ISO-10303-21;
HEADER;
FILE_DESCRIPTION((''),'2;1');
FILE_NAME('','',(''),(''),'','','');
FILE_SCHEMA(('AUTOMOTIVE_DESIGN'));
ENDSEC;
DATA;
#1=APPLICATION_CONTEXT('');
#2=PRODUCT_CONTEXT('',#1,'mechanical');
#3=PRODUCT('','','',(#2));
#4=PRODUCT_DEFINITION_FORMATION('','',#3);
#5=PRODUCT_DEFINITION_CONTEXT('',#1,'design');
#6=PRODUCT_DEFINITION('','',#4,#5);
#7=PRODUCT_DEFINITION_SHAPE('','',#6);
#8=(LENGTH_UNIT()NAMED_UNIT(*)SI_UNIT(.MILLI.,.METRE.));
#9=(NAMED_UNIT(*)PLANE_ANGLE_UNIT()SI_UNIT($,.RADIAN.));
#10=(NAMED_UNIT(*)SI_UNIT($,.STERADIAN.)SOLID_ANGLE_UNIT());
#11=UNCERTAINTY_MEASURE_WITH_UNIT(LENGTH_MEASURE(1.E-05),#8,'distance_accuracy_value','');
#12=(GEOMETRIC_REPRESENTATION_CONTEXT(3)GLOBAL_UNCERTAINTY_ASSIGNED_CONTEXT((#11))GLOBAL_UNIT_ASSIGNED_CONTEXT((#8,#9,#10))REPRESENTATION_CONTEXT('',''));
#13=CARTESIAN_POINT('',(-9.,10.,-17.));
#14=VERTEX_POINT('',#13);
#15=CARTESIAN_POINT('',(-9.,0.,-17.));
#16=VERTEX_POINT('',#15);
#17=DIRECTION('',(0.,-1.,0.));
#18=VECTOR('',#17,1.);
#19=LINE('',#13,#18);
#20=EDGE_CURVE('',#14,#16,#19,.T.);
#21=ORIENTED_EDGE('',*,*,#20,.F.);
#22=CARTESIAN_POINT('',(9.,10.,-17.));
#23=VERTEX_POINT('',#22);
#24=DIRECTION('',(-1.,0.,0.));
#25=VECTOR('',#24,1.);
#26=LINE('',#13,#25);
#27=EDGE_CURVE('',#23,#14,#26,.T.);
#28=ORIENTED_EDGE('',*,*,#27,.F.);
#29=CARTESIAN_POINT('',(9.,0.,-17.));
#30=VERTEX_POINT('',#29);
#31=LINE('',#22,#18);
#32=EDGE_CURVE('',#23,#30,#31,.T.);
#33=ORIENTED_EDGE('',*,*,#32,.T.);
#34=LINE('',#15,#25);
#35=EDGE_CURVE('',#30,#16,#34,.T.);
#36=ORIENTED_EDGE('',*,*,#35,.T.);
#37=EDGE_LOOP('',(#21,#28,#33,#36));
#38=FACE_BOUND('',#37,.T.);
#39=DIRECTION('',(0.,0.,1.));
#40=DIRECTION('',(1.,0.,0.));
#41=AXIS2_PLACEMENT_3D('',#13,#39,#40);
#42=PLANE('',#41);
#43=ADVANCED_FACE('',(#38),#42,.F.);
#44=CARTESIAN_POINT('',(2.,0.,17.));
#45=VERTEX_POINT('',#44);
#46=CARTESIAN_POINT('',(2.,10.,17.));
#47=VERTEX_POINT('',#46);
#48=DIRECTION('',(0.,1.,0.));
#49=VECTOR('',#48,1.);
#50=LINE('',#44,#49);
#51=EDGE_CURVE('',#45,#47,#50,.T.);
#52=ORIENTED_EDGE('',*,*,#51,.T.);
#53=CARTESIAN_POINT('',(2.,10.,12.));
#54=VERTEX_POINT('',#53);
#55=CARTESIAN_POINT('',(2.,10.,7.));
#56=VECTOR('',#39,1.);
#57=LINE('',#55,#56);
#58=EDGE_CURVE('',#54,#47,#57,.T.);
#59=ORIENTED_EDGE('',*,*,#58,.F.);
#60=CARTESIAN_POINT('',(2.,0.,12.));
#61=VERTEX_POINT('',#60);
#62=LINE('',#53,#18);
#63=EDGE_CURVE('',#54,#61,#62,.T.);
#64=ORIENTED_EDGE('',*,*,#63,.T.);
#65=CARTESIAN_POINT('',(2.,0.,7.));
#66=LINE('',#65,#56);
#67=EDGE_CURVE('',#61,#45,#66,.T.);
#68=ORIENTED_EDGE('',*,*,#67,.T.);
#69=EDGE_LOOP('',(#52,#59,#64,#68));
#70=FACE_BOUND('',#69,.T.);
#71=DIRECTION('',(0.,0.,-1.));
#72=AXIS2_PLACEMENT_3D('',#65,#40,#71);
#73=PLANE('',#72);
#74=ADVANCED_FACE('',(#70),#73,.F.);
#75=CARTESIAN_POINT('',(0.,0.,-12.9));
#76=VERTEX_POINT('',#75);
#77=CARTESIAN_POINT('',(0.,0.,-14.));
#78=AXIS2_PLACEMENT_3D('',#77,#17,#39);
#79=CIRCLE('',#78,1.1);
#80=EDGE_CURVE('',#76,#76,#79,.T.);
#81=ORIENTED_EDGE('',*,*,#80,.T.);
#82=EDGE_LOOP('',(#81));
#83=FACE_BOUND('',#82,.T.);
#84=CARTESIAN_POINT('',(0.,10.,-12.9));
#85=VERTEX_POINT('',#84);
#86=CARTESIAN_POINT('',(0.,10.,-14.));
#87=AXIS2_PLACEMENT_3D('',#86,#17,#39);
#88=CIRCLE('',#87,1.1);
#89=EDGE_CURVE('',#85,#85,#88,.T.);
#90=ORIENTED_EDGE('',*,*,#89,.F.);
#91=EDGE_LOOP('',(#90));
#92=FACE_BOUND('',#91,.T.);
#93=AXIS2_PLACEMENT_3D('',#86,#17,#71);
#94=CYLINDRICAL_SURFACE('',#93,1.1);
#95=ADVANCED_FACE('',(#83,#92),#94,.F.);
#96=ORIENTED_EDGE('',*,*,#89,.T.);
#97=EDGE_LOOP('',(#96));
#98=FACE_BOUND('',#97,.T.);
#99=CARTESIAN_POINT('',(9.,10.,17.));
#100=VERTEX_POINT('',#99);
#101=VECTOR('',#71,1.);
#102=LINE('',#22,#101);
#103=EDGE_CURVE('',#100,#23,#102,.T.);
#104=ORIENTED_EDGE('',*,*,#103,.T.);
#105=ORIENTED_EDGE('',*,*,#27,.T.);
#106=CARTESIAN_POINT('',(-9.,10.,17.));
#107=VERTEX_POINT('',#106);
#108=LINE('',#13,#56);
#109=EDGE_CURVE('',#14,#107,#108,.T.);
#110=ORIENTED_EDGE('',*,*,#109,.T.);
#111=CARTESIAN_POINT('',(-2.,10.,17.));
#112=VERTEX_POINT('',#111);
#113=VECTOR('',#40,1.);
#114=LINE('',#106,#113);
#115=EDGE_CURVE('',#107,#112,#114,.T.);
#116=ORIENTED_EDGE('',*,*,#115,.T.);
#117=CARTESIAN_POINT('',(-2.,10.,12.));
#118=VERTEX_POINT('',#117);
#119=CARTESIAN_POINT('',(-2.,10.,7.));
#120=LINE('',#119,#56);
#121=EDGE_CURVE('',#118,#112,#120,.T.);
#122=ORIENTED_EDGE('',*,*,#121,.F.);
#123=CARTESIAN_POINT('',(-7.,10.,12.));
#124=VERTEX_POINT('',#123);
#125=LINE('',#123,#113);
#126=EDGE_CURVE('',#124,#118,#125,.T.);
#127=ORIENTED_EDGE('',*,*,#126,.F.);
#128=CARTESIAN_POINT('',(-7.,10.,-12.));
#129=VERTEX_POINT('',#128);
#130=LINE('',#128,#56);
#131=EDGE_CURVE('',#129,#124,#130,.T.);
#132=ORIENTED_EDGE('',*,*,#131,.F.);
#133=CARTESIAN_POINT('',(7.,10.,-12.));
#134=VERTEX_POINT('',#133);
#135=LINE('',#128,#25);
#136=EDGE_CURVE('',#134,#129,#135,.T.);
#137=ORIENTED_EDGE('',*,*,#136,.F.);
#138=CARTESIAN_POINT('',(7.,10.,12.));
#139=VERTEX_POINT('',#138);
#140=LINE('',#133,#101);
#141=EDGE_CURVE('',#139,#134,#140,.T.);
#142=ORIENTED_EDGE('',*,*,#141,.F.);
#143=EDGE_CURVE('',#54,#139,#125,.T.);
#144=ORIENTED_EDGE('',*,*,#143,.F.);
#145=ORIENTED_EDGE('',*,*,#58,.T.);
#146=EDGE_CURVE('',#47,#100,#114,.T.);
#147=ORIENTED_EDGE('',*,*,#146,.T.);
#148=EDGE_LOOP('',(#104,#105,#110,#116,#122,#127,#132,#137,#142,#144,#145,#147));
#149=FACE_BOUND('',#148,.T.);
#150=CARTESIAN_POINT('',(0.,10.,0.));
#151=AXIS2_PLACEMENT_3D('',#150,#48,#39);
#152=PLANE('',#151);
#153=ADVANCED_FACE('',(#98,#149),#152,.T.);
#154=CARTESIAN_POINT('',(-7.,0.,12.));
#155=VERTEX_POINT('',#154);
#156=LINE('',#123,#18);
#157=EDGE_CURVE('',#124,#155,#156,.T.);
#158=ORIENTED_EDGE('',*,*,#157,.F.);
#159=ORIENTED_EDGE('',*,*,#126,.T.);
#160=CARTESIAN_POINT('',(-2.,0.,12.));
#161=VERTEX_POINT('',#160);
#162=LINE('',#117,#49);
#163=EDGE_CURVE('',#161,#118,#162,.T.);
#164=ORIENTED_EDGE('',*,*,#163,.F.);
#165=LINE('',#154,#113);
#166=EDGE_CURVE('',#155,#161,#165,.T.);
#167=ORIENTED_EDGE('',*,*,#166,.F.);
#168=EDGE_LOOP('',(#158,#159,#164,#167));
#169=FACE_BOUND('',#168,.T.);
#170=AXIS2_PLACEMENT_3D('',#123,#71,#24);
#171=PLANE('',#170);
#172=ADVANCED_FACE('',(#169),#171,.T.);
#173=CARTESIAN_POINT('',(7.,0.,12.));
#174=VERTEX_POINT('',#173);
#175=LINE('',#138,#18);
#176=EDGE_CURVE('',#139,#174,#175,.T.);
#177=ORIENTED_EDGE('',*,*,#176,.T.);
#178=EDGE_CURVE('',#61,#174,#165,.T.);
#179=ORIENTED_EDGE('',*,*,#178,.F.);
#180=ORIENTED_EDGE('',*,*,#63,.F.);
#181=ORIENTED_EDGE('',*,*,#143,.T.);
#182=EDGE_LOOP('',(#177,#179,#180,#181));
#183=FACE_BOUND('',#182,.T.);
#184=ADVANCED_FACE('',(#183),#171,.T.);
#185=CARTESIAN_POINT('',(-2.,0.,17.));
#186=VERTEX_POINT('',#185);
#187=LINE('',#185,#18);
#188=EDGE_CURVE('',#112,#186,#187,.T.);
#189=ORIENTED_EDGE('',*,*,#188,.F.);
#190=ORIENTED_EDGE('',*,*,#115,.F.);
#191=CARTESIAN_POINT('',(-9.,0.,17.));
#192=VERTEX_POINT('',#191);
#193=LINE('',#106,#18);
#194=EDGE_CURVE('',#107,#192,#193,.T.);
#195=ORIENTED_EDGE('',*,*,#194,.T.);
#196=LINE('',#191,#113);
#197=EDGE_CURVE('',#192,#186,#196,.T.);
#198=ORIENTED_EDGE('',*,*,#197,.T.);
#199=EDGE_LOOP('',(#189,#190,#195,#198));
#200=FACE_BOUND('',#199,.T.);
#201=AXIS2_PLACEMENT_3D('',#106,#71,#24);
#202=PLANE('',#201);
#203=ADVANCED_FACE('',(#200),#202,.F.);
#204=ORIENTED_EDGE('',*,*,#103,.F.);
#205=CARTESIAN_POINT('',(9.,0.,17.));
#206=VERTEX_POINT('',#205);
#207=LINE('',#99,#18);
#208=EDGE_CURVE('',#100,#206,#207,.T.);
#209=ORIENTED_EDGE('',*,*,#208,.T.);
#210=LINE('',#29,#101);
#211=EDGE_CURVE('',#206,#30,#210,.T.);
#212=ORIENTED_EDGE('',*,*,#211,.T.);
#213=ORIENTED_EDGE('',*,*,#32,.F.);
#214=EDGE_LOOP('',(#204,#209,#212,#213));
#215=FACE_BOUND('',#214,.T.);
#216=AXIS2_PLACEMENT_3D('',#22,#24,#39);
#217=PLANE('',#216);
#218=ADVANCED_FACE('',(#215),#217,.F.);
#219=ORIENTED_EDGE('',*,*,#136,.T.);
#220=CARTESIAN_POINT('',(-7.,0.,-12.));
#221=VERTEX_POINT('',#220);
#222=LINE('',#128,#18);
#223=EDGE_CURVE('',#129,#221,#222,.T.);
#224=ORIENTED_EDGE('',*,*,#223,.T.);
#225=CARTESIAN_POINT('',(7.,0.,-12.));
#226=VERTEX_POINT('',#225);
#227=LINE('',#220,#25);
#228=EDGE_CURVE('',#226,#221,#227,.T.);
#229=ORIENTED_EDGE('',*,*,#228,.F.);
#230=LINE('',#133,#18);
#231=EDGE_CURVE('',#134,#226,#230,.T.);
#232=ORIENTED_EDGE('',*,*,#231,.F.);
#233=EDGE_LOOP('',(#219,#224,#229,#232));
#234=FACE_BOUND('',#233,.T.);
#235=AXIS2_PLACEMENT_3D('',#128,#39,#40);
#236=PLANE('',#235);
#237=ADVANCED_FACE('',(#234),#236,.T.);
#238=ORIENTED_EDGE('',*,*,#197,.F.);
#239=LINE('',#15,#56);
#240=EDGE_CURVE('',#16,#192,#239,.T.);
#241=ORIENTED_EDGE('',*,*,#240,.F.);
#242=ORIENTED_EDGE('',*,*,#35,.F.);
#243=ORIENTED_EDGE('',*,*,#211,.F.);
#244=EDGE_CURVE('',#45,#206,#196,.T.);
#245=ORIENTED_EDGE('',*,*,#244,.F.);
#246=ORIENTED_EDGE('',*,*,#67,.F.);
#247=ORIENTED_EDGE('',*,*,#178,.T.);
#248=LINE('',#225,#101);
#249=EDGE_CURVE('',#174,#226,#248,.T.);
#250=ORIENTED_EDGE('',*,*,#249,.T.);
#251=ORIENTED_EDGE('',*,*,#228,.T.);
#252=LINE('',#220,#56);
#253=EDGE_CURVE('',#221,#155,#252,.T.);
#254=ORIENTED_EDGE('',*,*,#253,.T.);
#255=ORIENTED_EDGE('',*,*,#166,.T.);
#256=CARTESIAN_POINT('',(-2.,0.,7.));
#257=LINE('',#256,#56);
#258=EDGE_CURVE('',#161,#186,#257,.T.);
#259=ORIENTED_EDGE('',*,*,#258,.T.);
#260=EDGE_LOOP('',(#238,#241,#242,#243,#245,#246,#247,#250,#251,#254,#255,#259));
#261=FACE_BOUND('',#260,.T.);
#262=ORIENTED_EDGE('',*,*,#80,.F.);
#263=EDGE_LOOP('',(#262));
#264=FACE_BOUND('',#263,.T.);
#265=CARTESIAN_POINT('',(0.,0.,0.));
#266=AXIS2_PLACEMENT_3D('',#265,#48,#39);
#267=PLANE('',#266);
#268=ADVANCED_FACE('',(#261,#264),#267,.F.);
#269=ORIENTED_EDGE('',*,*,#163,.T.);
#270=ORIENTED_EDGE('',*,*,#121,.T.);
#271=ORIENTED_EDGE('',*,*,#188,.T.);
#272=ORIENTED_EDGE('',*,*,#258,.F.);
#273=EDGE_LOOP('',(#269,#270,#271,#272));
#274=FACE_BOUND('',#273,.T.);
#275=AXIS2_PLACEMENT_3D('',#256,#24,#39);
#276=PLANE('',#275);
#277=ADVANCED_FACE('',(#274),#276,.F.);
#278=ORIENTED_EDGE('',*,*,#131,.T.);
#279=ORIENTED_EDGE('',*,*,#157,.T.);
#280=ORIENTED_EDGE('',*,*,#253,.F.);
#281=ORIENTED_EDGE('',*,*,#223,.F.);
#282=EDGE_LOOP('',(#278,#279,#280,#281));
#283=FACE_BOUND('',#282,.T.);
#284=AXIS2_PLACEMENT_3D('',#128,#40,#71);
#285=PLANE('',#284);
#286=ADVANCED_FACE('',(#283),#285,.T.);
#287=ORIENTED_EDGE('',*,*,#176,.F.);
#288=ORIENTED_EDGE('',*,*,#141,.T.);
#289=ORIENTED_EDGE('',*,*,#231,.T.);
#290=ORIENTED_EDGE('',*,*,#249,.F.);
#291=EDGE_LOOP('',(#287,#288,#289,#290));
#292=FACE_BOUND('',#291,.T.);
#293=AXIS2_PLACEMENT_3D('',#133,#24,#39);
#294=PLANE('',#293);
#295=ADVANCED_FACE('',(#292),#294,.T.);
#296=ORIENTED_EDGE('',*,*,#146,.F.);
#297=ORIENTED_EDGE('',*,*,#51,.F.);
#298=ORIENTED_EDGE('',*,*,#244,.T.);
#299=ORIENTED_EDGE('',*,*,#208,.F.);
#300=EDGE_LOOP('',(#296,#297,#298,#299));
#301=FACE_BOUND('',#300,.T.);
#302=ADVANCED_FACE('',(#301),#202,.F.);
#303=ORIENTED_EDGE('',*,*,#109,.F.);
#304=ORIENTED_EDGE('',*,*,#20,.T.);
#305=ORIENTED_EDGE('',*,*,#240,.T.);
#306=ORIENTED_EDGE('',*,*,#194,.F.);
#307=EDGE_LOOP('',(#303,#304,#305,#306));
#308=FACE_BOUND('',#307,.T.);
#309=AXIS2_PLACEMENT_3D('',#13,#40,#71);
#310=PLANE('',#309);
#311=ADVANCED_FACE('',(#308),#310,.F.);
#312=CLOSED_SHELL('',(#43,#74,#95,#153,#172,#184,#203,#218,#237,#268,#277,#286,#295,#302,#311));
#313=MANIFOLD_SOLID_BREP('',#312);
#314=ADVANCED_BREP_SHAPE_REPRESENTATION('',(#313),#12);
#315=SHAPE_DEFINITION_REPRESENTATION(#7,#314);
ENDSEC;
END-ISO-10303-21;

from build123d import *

# Parameters (mm, degrees)
SKETCH_1_W          = 18
SKETCH_1_H          = 34
SKETCH_1_W_2        = 14
SKETCH_1_H_2        = 24
EXTRUDE_1_DEPTH     = 10
SKETCH_2_R          = 1.1
CUT_EXTRUDE_1_DEPTH = 22.679483389
SKETCH_4_W          = 4
SKETCH_4_H          = 10
CUT_EXTRUDE_2_DEPTH = 10


with BuildPart() as part:
    # 草图1 → 凸台-拉伸1 (new body)
    with BuildSketch(Plane(origin=(0, 0, 0), x_dir=(1, 0, 0), z_dir=(0, 1, 0))):
        Rectangle(SKETCH_1_W, SKETCH_1_H)
        Rectangle(SKETCH_1_W_2, SKETCH_1_H_2, mode=Mode.SUBTRACT)
    extrude(amount=EXTRUDE_1_DEPTH)

    # 草图2 → 切除-拉伸1 (cut, through all)
    with BuildSketch(Plane.XZ):
        with Locations(Location((0, 14, 0), (0, 0, 270))):
            Circle(SKETCH_2_R)
        with Locations(Location((0, -14, 0), (0, 0, 90))):
            Circle(SKETCH_2_R)
    extrude(amount=-CUT_EXTRUDE_1_DEPTH, mode=Mode.SUBTRACT)

    # 草图4 → 切除-拉伸2 (cut)
    with BuildSketch(Plane.XY.offset(17)):
        with Locations((0, 5)):
            Rectangle(SKETCH_4_W, SKETCH_4_H)
    extrude(amount=-CUT_EXTRUDE_2_DEPTH, mode=Mode.SUBTRACT)


solid = part.part
